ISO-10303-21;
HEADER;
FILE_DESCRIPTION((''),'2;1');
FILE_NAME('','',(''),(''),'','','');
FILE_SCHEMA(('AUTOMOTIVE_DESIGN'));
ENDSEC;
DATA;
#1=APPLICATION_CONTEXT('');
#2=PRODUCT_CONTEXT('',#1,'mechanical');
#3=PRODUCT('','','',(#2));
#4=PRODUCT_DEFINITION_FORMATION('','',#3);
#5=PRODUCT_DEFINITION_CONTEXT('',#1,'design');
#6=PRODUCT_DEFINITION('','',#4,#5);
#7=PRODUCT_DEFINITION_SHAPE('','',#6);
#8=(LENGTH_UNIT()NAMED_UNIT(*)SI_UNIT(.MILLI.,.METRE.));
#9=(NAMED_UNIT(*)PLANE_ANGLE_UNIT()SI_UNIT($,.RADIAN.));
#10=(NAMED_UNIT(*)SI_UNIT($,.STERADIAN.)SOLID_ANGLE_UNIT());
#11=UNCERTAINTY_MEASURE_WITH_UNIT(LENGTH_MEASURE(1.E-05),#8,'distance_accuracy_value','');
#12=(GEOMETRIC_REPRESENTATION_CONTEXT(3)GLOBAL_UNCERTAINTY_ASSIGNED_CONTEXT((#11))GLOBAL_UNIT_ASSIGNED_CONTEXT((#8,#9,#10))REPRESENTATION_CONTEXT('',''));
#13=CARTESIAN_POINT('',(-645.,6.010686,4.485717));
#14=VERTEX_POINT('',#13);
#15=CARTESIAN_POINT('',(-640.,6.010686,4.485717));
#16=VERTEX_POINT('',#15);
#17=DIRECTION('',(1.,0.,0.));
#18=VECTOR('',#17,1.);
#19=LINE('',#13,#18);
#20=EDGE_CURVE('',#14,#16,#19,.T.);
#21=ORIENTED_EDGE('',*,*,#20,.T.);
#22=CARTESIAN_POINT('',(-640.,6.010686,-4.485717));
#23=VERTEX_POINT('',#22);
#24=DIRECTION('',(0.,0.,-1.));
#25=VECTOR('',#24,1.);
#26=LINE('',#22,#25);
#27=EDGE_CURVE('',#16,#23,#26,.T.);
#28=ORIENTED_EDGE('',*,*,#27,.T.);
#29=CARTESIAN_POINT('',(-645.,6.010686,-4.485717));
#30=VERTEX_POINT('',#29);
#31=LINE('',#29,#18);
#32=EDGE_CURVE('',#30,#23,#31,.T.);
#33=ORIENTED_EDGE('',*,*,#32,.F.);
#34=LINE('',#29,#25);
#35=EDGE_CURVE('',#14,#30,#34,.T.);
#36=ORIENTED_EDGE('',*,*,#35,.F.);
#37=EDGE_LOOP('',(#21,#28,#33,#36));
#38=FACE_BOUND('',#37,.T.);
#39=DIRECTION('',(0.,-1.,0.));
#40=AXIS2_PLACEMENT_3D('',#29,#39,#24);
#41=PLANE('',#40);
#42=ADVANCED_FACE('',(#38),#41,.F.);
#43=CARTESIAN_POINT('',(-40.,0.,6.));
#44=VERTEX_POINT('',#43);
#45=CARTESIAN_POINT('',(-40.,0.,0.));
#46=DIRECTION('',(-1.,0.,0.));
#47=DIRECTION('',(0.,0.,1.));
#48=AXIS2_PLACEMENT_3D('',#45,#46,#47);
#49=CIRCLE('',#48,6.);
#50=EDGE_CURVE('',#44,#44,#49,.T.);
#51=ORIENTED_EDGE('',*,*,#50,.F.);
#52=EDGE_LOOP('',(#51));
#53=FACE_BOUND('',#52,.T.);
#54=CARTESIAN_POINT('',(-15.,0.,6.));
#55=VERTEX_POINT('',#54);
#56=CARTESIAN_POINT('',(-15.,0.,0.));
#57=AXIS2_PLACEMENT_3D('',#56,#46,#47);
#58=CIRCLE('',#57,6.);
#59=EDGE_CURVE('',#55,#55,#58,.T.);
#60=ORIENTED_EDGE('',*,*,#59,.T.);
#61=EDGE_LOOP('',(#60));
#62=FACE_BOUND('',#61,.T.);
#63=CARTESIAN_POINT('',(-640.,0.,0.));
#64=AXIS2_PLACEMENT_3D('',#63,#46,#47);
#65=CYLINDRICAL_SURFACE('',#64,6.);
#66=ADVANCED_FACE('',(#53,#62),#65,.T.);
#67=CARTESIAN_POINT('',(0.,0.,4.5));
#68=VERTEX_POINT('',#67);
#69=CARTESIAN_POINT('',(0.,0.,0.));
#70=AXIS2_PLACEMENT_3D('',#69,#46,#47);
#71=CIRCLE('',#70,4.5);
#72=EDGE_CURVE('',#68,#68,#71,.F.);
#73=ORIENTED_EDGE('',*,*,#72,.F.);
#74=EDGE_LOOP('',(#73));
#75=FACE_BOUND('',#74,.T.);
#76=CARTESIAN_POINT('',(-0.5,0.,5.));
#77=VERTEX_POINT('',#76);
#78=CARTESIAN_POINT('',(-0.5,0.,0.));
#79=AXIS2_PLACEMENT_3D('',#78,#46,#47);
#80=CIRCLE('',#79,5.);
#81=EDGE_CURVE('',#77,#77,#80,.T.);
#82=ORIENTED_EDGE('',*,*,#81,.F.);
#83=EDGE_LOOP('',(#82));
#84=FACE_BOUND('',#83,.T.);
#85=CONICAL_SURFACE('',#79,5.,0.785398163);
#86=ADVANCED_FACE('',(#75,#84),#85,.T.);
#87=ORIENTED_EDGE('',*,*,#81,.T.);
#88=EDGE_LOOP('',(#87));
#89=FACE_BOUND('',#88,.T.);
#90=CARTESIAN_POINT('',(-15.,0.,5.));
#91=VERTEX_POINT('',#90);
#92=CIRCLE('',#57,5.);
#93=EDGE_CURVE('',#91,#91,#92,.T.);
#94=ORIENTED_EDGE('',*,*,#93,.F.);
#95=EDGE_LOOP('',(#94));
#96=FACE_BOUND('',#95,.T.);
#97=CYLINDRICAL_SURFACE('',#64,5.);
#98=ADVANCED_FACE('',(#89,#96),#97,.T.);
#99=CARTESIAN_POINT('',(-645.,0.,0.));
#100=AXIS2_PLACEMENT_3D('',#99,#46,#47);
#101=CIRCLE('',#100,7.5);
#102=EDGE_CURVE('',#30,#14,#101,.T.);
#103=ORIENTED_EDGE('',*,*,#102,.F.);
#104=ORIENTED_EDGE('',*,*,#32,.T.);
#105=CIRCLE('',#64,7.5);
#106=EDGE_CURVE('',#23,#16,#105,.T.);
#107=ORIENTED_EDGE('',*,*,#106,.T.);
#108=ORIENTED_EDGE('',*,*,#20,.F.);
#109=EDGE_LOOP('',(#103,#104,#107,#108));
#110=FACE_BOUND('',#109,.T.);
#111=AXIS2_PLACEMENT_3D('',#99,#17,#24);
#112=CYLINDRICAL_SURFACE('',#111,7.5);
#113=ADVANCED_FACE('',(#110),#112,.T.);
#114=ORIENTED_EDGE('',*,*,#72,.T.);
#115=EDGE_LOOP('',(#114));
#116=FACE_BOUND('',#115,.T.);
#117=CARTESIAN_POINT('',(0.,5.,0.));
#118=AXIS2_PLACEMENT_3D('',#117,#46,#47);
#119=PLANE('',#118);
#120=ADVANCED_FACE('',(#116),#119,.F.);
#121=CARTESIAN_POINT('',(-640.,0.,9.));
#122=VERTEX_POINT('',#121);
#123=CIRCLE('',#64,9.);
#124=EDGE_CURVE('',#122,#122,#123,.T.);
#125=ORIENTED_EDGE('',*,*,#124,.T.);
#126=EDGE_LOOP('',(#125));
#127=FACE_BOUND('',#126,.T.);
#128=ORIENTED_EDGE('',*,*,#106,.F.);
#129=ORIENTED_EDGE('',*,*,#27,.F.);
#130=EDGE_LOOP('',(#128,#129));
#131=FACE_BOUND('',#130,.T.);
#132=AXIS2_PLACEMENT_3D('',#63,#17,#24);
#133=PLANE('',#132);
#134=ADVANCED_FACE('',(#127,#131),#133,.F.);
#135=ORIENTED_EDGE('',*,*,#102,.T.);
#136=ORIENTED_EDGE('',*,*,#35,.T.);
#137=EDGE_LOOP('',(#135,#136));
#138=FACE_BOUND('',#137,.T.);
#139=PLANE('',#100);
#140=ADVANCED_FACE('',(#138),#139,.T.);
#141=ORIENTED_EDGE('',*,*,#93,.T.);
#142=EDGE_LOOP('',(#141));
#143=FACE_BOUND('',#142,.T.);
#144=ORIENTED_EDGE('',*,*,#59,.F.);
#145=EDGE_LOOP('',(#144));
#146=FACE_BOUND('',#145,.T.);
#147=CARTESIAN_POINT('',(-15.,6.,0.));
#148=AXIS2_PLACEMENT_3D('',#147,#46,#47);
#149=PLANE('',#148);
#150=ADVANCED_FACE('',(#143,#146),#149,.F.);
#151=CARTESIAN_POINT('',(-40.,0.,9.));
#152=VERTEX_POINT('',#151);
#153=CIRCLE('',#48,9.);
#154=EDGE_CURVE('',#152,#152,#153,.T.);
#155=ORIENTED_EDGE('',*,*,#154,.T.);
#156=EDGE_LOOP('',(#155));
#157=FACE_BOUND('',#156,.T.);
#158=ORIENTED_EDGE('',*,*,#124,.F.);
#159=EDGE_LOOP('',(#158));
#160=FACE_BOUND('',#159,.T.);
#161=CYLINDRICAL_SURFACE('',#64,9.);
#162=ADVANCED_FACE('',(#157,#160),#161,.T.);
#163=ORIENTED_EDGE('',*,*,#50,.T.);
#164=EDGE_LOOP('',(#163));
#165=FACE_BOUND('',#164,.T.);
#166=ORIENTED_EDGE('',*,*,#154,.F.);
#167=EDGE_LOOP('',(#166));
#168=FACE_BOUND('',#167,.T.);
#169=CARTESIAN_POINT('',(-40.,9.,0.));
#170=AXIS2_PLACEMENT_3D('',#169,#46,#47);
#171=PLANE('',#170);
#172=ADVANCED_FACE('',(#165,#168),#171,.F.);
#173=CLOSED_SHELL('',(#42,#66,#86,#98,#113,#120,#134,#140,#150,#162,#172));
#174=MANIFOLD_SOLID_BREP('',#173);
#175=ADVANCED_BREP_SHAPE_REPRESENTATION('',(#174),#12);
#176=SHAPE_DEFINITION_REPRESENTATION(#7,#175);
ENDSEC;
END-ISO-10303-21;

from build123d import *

# Parameters (mm, degrees)
CHAMFER1_SIZE       = 0.5
BOSS_EXTRUDE1_DEPTH = 5


with BuildPart() as part:
    # Sketch1 → Revolve1 (revolve)
    with BuildSketch(Plane.XY, mode=Mode.PRIVATE) as revolve1_sk:
        Polygon((0, 0), (-640, 0), (-640, 9), (-40, 9), (-40, 6), (-15, 6), (-15, 5), (0, 5), align=None)
    revolve(revolve1_sk.sketch.rotate(Axis((-640, 0, 0), (1, 0, 0)), 90), axis=Axis((-640, 0, 0), (1, 0, 0)))

    # Chamfer1
    chamfer1_edges = [part.edges().sort_by_distance(p)[0] for p in [
        (0, 0, -5),
    ]]
    chamfer(chamfer1_edges, length=CHAMFER1_SIZE)

    # Sketch2 → Boss-Extrude1 (add)
    with BuildSketch(Plane.ZY.offset(640)):
        with BuildLine():
            Line((-4.485716723, 6.010685941), (4.485716723, 6.010685941))
            ThreePointArc((4.485716723, 6.010685941), (0, -7.5), (-4.485716723, 6.010685941))
        make_face()
    extrude(amount=BOSS_EXTRUDE1_DEPTH)


solid = part.part
